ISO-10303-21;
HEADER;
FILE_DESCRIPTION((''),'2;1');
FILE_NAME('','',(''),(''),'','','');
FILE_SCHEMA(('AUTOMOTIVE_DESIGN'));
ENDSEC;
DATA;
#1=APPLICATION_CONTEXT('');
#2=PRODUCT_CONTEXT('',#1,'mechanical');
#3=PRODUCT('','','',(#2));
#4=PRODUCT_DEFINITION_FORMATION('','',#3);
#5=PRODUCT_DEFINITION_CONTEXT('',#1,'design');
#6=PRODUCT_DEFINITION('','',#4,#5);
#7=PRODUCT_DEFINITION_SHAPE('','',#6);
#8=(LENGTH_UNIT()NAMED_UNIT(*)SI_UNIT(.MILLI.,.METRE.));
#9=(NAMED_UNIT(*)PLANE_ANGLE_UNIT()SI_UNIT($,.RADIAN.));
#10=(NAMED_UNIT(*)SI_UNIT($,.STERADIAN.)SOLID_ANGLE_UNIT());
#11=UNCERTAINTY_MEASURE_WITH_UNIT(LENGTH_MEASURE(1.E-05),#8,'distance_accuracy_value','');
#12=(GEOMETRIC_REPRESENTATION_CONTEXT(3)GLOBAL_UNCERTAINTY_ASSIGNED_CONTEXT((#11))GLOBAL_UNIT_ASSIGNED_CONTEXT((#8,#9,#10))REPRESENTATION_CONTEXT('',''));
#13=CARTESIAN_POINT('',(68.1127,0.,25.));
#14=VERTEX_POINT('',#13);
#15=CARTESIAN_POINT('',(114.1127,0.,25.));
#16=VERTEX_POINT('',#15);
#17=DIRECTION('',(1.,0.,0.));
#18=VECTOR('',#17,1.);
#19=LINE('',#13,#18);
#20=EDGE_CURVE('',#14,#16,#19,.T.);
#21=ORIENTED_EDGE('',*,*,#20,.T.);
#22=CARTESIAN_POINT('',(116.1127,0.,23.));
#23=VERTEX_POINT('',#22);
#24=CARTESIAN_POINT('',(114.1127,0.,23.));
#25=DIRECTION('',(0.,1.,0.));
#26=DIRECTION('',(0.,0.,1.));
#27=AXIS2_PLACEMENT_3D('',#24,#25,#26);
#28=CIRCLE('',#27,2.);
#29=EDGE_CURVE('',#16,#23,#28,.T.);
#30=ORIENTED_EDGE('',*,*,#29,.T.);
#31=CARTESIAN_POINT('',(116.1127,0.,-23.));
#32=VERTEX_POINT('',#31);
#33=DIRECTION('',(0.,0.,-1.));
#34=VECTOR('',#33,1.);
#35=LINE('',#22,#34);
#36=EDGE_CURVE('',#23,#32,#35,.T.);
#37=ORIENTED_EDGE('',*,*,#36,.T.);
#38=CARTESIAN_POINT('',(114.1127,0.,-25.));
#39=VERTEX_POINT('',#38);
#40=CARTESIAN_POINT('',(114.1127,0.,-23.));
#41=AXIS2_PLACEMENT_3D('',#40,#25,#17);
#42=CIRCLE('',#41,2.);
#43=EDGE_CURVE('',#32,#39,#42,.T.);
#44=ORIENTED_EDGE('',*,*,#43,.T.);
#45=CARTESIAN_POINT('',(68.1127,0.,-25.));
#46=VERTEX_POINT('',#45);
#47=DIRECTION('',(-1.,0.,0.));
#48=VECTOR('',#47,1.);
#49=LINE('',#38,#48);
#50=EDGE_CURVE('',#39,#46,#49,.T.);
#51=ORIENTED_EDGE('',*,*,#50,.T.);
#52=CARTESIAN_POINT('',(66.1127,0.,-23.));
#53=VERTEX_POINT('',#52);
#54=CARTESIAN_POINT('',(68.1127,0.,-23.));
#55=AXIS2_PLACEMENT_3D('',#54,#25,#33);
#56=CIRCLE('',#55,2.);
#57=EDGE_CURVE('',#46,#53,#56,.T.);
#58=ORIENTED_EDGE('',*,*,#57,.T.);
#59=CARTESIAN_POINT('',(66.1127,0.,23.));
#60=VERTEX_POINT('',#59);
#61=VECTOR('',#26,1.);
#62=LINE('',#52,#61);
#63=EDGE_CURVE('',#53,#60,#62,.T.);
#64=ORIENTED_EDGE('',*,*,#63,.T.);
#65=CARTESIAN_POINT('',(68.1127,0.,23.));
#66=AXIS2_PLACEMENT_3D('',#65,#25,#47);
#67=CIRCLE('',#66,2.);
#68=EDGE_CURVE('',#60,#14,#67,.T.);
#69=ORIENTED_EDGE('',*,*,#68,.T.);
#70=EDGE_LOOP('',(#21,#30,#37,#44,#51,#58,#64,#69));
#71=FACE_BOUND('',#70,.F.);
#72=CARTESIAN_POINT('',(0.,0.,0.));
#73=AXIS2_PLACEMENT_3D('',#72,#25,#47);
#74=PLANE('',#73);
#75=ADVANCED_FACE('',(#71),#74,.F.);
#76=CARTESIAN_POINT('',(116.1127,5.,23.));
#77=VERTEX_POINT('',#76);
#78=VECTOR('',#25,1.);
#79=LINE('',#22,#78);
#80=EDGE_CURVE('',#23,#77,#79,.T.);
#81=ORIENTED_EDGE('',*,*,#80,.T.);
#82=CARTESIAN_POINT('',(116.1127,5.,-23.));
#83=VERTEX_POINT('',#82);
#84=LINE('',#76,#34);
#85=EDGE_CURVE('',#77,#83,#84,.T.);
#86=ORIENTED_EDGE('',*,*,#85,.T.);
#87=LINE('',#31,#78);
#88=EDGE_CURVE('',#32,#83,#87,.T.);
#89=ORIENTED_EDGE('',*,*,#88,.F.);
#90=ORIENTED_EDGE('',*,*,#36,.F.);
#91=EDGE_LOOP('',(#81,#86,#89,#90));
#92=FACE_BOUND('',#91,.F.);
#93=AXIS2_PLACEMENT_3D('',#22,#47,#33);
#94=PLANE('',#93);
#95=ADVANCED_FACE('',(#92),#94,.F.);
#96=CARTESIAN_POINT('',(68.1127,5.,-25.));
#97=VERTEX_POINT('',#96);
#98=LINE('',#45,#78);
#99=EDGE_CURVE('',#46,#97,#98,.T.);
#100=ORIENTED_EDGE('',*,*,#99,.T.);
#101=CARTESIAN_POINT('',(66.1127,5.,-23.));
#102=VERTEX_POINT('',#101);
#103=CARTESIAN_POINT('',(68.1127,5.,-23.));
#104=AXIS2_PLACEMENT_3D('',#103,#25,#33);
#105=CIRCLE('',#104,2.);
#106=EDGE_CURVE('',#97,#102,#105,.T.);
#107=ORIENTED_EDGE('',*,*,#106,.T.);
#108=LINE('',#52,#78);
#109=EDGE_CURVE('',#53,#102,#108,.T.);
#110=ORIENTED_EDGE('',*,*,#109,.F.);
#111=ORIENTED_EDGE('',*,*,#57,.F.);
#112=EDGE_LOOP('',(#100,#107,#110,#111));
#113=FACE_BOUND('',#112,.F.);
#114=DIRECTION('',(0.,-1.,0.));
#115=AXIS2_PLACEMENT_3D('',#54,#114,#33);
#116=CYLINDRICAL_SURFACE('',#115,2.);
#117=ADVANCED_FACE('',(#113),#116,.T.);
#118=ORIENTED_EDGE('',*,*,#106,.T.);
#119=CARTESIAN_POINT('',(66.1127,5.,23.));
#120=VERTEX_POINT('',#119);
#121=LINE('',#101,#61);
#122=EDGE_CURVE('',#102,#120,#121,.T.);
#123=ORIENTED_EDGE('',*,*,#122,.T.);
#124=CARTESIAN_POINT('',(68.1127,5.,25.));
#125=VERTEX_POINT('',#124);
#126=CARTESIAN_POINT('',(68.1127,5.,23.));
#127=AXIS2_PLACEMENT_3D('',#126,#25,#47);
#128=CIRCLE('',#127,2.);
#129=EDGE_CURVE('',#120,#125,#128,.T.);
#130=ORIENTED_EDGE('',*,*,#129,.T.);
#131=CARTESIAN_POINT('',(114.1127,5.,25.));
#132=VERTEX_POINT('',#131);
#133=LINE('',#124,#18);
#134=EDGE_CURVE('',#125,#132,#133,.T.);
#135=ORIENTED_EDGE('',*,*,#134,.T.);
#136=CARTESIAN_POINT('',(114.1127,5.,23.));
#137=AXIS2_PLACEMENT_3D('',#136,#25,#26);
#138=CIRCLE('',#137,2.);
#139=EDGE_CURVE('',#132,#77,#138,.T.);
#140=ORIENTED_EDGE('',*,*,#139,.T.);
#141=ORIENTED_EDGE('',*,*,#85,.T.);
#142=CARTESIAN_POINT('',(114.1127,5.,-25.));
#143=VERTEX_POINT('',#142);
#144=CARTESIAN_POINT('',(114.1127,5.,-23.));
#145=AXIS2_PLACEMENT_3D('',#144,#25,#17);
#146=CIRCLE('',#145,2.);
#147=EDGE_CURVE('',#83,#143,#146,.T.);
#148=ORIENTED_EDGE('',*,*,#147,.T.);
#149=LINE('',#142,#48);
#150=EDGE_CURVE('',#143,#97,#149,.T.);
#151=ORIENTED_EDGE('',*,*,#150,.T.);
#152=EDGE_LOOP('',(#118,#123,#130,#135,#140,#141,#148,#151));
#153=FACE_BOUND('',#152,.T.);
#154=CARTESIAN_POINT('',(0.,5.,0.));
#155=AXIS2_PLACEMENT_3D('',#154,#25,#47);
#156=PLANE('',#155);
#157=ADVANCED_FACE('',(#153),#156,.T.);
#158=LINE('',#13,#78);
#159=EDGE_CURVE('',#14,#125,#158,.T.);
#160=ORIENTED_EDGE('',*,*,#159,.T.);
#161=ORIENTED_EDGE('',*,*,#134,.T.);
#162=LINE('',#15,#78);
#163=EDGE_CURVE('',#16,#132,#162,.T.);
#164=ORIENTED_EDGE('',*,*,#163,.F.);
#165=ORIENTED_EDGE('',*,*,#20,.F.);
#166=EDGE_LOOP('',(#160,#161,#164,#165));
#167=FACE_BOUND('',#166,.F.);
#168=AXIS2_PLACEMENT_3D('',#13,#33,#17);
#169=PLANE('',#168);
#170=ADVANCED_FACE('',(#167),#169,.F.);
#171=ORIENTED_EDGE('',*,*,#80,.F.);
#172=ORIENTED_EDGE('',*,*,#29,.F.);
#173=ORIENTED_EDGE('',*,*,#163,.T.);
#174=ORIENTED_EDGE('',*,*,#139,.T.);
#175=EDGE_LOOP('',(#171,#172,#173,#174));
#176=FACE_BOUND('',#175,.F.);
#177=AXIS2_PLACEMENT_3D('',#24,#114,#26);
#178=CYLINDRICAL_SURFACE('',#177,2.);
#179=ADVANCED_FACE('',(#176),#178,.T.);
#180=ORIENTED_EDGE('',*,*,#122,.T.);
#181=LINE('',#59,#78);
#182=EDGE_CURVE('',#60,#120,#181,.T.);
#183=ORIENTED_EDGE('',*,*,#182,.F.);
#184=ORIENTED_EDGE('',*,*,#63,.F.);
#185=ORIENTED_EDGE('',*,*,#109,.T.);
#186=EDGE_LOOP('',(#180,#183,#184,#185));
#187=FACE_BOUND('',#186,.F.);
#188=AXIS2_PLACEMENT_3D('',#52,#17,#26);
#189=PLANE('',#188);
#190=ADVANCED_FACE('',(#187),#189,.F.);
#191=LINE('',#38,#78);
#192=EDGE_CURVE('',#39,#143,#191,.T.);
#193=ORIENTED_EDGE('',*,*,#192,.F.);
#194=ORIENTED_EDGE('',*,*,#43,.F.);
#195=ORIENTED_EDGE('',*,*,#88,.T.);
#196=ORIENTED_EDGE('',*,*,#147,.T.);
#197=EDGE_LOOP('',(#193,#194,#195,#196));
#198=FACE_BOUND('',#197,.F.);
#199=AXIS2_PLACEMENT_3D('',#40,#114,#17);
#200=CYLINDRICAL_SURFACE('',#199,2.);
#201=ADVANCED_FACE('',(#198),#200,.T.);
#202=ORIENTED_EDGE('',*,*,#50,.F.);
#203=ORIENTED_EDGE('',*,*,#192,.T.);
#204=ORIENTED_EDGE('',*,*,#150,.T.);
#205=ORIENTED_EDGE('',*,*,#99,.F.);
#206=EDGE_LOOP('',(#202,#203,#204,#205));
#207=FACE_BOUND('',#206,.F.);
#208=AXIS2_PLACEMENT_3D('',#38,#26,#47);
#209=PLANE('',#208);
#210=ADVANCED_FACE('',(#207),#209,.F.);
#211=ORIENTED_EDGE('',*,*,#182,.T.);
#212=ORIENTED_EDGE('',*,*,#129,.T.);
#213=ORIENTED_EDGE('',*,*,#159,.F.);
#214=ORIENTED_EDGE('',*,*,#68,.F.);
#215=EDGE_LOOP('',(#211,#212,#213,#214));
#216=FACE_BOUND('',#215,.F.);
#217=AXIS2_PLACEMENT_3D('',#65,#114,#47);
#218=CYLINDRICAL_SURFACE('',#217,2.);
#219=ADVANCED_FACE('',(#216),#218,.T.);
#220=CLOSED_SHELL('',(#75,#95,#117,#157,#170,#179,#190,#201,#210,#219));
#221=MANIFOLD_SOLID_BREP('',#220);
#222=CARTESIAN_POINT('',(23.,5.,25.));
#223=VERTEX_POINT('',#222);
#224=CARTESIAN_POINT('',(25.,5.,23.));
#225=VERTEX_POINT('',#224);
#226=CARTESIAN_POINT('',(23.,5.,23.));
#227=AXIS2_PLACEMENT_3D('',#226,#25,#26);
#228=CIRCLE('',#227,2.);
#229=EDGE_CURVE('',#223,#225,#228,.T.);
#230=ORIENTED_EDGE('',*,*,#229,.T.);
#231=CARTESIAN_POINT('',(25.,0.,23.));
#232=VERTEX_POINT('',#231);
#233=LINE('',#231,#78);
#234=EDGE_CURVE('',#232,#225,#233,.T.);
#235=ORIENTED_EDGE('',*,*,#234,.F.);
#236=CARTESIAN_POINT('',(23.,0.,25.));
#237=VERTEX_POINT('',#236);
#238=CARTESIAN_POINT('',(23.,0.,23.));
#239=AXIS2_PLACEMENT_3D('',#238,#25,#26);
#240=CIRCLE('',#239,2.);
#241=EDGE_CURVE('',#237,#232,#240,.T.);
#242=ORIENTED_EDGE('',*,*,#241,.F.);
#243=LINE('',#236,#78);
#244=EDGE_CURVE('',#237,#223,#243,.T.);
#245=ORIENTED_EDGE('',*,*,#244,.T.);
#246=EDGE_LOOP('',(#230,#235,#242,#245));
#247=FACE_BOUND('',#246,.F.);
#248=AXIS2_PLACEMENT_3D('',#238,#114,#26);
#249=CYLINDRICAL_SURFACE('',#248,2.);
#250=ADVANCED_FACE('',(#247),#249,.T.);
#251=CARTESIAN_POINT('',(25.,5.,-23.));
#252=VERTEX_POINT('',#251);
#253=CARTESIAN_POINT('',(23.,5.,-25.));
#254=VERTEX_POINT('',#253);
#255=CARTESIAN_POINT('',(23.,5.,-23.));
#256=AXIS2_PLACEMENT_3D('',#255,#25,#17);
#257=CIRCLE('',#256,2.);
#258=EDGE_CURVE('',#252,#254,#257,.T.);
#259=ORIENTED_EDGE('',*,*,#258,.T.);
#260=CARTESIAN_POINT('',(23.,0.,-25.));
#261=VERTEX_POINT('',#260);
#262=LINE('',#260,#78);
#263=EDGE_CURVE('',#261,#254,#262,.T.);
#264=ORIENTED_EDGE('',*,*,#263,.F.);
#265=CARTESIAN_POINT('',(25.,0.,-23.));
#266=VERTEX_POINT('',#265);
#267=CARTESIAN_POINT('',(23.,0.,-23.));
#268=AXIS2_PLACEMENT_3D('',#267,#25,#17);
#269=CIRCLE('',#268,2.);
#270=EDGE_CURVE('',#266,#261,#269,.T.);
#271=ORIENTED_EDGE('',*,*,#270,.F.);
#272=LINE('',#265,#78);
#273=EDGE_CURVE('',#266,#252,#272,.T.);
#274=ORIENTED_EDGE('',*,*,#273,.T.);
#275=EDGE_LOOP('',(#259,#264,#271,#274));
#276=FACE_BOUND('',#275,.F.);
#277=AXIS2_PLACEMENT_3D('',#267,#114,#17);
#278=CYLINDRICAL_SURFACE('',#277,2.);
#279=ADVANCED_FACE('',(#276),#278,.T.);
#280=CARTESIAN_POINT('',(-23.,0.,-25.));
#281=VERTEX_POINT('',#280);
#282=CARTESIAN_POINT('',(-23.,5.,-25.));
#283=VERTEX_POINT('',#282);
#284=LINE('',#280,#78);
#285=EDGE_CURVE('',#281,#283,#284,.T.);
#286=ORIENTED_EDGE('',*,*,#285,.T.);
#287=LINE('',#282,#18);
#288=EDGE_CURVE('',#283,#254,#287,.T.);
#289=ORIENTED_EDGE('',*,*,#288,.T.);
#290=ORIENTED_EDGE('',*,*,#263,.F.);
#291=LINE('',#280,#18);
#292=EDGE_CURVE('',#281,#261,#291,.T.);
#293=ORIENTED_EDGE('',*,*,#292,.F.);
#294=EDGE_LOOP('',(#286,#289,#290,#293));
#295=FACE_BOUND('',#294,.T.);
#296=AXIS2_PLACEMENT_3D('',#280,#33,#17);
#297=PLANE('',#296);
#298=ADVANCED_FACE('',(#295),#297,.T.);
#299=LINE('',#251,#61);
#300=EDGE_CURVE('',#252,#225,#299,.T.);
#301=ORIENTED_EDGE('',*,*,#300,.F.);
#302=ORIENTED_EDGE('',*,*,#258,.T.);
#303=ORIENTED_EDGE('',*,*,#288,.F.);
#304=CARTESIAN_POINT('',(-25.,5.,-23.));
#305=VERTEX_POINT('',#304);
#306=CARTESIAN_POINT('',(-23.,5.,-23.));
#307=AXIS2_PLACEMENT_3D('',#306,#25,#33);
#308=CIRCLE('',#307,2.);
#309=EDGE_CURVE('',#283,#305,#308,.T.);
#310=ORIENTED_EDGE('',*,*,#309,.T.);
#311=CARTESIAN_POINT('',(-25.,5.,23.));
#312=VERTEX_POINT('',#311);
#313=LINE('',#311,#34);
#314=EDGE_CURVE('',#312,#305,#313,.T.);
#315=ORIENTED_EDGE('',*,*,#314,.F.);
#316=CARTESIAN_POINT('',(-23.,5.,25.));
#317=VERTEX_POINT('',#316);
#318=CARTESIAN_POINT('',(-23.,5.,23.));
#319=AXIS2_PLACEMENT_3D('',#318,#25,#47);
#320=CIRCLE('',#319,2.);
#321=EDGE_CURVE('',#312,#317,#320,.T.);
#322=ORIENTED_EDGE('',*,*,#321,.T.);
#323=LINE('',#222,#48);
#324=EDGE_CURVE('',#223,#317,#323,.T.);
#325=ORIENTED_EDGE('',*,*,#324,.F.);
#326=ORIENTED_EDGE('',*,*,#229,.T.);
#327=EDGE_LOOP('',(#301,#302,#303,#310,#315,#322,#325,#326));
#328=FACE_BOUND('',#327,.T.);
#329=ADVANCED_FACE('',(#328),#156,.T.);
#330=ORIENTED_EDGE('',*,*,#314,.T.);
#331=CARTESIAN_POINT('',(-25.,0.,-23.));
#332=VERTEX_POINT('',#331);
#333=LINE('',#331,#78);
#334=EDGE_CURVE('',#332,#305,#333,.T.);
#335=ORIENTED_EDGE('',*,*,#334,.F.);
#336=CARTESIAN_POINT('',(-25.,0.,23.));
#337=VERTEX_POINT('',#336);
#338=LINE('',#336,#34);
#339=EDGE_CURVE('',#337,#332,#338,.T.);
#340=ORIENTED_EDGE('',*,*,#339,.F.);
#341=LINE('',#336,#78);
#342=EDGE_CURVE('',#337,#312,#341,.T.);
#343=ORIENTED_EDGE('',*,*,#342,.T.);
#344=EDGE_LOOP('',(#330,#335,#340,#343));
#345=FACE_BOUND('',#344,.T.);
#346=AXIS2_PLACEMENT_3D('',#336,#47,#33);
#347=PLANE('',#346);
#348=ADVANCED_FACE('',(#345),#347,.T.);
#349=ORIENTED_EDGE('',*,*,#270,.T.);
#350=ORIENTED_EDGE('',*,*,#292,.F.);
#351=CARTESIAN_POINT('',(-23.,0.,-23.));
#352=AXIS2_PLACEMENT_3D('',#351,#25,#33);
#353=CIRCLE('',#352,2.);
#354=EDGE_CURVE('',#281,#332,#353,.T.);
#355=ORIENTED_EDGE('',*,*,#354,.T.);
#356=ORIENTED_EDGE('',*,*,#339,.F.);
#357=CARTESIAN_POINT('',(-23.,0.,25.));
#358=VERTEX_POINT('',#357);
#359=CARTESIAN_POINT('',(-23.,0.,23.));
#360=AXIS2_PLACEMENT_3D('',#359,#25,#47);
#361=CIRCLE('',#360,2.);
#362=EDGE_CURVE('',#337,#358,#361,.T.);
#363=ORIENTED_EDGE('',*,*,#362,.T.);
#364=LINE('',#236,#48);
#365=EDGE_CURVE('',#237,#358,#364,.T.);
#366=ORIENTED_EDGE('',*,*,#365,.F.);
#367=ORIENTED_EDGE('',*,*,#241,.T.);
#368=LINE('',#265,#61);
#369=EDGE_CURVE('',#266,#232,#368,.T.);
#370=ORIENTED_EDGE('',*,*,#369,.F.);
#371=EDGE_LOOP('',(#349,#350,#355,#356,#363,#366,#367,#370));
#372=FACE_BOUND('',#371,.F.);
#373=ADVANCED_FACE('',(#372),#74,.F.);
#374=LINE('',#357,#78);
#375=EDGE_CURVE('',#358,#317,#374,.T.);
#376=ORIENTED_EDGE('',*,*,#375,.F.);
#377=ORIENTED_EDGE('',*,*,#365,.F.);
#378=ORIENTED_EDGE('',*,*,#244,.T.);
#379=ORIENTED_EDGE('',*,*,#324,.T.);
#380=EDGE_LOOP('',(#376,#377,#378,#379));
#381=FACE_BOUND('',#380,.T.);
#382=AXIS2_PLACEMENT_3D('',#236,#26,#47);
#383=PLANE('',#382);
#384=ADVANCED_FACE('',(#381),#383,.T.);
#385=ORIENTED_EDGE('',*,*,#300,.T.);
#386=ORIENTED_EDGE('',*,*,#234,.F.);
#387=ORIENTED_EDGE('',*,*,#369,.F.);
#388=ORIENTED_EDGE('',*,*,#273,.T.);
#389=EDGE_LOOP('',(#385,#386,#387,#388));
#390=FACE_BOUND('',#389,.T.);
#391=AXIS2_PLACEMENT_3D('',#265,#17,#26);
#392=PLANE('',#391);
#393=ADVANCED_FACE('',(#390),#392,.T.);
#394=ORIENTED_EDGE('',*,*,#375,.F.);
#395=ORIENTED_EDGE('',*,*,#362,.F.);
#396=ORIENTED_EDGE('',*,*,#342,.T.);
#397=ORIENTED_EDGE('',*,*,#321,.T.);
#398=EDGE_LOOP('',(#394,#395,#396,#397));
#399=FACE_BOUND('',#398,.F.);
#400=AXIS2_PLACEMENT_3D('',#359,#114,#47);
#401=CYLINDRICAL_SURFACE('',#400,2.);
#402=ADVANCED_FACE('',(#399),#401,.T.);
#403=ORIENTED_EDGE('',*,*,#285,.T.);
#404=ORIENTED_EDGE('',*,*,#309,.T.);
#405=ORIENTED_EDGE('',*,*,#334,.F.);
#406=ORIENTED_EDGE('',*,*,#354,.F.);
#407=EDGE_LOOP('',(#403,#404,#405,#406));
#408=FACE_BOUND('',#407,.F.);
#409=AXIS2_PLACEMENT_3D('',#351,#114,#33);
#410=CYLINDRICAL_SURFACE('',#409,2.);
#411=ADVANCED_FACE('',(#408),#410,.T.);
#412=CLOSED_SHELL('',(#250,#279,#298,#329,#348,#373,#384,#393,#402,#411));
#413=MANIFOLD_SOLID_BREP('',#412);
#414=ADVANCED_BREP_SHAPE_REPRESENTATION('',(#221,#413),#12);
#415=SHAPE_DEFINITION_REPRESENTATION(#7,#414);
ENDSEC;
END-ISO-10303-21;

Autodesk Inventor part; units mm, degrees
ref_plane "YZ Plane" through (0, 0, 0) normal (1, 0, 0) x (0, 1, 0)
ref_plane "XZ Plane" through (0, 0, 0) normal (0, 1, 0) x (-1, 0, 0)
ref_plane "XY Plane" through (0, 0, 0) normal (0, 0, 1) x (1, 0, 0)
sketch "Sketch1" plane through (0, 0, 0) normal (0, 1, 0) x (-1, 0, 0)
  line L0 (23, -25) -> (-23, -25)
  line L1 (-25, -23) -> (-25, 23)
  line L2 (-23, 25) -> (23, 25)
  line L3 (25, 23) -> (25, -23)
  line L4 (25, -25) -> (-25, 25) construction
  line L5 (-25, -25) -> (25, 25) construction
  line L6 (-114.1127, -25) -> (-68.1127, -25)
  line L7 (-66.1127, -23) -> (-66.1127, 23)
  line L8 (-68.1127, 25) -> (-114.1127, 25)
  line L9 (-116.1127, 23) -> (-116.1127, -23)
  line L10 (-116.1127, -25) -> (-66.1127, 25) construction
  line L11 (-66.1127, -25) -> (-116.1127, 25) construction
  arc A0 (-23, 25) -> (-25, 23) centre (-23, 23) ccw
  arc A1 (25, 23) -> (23, 25) centre (23, 23) ccw
  arc A2 (23, -25) -> (25, -23) centre (23, -23) ccw
  arc A3 (-25, -23) -> (-23, -25) centre (-23, -23) ccw
  arc A4 (-66.1127, 23) -> (-68.1127, 25) centre (-68.1127, 23) ccw
  arc A5 (-114.1127, 25) -> (-116.1127, 23) centre (-114.1127, 23) ccw
  arc A6 (-68.1127, -25) -> (-66.1127, -23) centre (-68.1127, -23) ccw
  arc A7 (-116.1127, -23) -> (-114.1127, -25) centre (-114.1127, -23) ccw
  point P0 (0, 0)
  point P1 (-91.1127, 0)
  dimension "d0" = 50
  dimension "d1" = 50
  dimension "d2" = 50
  dimension "d3" = 50
  dimension "d4" = 2
extrude "Extrusion1" add sketch "Sketch1" along normal blind 5
properties part number "spacer"
